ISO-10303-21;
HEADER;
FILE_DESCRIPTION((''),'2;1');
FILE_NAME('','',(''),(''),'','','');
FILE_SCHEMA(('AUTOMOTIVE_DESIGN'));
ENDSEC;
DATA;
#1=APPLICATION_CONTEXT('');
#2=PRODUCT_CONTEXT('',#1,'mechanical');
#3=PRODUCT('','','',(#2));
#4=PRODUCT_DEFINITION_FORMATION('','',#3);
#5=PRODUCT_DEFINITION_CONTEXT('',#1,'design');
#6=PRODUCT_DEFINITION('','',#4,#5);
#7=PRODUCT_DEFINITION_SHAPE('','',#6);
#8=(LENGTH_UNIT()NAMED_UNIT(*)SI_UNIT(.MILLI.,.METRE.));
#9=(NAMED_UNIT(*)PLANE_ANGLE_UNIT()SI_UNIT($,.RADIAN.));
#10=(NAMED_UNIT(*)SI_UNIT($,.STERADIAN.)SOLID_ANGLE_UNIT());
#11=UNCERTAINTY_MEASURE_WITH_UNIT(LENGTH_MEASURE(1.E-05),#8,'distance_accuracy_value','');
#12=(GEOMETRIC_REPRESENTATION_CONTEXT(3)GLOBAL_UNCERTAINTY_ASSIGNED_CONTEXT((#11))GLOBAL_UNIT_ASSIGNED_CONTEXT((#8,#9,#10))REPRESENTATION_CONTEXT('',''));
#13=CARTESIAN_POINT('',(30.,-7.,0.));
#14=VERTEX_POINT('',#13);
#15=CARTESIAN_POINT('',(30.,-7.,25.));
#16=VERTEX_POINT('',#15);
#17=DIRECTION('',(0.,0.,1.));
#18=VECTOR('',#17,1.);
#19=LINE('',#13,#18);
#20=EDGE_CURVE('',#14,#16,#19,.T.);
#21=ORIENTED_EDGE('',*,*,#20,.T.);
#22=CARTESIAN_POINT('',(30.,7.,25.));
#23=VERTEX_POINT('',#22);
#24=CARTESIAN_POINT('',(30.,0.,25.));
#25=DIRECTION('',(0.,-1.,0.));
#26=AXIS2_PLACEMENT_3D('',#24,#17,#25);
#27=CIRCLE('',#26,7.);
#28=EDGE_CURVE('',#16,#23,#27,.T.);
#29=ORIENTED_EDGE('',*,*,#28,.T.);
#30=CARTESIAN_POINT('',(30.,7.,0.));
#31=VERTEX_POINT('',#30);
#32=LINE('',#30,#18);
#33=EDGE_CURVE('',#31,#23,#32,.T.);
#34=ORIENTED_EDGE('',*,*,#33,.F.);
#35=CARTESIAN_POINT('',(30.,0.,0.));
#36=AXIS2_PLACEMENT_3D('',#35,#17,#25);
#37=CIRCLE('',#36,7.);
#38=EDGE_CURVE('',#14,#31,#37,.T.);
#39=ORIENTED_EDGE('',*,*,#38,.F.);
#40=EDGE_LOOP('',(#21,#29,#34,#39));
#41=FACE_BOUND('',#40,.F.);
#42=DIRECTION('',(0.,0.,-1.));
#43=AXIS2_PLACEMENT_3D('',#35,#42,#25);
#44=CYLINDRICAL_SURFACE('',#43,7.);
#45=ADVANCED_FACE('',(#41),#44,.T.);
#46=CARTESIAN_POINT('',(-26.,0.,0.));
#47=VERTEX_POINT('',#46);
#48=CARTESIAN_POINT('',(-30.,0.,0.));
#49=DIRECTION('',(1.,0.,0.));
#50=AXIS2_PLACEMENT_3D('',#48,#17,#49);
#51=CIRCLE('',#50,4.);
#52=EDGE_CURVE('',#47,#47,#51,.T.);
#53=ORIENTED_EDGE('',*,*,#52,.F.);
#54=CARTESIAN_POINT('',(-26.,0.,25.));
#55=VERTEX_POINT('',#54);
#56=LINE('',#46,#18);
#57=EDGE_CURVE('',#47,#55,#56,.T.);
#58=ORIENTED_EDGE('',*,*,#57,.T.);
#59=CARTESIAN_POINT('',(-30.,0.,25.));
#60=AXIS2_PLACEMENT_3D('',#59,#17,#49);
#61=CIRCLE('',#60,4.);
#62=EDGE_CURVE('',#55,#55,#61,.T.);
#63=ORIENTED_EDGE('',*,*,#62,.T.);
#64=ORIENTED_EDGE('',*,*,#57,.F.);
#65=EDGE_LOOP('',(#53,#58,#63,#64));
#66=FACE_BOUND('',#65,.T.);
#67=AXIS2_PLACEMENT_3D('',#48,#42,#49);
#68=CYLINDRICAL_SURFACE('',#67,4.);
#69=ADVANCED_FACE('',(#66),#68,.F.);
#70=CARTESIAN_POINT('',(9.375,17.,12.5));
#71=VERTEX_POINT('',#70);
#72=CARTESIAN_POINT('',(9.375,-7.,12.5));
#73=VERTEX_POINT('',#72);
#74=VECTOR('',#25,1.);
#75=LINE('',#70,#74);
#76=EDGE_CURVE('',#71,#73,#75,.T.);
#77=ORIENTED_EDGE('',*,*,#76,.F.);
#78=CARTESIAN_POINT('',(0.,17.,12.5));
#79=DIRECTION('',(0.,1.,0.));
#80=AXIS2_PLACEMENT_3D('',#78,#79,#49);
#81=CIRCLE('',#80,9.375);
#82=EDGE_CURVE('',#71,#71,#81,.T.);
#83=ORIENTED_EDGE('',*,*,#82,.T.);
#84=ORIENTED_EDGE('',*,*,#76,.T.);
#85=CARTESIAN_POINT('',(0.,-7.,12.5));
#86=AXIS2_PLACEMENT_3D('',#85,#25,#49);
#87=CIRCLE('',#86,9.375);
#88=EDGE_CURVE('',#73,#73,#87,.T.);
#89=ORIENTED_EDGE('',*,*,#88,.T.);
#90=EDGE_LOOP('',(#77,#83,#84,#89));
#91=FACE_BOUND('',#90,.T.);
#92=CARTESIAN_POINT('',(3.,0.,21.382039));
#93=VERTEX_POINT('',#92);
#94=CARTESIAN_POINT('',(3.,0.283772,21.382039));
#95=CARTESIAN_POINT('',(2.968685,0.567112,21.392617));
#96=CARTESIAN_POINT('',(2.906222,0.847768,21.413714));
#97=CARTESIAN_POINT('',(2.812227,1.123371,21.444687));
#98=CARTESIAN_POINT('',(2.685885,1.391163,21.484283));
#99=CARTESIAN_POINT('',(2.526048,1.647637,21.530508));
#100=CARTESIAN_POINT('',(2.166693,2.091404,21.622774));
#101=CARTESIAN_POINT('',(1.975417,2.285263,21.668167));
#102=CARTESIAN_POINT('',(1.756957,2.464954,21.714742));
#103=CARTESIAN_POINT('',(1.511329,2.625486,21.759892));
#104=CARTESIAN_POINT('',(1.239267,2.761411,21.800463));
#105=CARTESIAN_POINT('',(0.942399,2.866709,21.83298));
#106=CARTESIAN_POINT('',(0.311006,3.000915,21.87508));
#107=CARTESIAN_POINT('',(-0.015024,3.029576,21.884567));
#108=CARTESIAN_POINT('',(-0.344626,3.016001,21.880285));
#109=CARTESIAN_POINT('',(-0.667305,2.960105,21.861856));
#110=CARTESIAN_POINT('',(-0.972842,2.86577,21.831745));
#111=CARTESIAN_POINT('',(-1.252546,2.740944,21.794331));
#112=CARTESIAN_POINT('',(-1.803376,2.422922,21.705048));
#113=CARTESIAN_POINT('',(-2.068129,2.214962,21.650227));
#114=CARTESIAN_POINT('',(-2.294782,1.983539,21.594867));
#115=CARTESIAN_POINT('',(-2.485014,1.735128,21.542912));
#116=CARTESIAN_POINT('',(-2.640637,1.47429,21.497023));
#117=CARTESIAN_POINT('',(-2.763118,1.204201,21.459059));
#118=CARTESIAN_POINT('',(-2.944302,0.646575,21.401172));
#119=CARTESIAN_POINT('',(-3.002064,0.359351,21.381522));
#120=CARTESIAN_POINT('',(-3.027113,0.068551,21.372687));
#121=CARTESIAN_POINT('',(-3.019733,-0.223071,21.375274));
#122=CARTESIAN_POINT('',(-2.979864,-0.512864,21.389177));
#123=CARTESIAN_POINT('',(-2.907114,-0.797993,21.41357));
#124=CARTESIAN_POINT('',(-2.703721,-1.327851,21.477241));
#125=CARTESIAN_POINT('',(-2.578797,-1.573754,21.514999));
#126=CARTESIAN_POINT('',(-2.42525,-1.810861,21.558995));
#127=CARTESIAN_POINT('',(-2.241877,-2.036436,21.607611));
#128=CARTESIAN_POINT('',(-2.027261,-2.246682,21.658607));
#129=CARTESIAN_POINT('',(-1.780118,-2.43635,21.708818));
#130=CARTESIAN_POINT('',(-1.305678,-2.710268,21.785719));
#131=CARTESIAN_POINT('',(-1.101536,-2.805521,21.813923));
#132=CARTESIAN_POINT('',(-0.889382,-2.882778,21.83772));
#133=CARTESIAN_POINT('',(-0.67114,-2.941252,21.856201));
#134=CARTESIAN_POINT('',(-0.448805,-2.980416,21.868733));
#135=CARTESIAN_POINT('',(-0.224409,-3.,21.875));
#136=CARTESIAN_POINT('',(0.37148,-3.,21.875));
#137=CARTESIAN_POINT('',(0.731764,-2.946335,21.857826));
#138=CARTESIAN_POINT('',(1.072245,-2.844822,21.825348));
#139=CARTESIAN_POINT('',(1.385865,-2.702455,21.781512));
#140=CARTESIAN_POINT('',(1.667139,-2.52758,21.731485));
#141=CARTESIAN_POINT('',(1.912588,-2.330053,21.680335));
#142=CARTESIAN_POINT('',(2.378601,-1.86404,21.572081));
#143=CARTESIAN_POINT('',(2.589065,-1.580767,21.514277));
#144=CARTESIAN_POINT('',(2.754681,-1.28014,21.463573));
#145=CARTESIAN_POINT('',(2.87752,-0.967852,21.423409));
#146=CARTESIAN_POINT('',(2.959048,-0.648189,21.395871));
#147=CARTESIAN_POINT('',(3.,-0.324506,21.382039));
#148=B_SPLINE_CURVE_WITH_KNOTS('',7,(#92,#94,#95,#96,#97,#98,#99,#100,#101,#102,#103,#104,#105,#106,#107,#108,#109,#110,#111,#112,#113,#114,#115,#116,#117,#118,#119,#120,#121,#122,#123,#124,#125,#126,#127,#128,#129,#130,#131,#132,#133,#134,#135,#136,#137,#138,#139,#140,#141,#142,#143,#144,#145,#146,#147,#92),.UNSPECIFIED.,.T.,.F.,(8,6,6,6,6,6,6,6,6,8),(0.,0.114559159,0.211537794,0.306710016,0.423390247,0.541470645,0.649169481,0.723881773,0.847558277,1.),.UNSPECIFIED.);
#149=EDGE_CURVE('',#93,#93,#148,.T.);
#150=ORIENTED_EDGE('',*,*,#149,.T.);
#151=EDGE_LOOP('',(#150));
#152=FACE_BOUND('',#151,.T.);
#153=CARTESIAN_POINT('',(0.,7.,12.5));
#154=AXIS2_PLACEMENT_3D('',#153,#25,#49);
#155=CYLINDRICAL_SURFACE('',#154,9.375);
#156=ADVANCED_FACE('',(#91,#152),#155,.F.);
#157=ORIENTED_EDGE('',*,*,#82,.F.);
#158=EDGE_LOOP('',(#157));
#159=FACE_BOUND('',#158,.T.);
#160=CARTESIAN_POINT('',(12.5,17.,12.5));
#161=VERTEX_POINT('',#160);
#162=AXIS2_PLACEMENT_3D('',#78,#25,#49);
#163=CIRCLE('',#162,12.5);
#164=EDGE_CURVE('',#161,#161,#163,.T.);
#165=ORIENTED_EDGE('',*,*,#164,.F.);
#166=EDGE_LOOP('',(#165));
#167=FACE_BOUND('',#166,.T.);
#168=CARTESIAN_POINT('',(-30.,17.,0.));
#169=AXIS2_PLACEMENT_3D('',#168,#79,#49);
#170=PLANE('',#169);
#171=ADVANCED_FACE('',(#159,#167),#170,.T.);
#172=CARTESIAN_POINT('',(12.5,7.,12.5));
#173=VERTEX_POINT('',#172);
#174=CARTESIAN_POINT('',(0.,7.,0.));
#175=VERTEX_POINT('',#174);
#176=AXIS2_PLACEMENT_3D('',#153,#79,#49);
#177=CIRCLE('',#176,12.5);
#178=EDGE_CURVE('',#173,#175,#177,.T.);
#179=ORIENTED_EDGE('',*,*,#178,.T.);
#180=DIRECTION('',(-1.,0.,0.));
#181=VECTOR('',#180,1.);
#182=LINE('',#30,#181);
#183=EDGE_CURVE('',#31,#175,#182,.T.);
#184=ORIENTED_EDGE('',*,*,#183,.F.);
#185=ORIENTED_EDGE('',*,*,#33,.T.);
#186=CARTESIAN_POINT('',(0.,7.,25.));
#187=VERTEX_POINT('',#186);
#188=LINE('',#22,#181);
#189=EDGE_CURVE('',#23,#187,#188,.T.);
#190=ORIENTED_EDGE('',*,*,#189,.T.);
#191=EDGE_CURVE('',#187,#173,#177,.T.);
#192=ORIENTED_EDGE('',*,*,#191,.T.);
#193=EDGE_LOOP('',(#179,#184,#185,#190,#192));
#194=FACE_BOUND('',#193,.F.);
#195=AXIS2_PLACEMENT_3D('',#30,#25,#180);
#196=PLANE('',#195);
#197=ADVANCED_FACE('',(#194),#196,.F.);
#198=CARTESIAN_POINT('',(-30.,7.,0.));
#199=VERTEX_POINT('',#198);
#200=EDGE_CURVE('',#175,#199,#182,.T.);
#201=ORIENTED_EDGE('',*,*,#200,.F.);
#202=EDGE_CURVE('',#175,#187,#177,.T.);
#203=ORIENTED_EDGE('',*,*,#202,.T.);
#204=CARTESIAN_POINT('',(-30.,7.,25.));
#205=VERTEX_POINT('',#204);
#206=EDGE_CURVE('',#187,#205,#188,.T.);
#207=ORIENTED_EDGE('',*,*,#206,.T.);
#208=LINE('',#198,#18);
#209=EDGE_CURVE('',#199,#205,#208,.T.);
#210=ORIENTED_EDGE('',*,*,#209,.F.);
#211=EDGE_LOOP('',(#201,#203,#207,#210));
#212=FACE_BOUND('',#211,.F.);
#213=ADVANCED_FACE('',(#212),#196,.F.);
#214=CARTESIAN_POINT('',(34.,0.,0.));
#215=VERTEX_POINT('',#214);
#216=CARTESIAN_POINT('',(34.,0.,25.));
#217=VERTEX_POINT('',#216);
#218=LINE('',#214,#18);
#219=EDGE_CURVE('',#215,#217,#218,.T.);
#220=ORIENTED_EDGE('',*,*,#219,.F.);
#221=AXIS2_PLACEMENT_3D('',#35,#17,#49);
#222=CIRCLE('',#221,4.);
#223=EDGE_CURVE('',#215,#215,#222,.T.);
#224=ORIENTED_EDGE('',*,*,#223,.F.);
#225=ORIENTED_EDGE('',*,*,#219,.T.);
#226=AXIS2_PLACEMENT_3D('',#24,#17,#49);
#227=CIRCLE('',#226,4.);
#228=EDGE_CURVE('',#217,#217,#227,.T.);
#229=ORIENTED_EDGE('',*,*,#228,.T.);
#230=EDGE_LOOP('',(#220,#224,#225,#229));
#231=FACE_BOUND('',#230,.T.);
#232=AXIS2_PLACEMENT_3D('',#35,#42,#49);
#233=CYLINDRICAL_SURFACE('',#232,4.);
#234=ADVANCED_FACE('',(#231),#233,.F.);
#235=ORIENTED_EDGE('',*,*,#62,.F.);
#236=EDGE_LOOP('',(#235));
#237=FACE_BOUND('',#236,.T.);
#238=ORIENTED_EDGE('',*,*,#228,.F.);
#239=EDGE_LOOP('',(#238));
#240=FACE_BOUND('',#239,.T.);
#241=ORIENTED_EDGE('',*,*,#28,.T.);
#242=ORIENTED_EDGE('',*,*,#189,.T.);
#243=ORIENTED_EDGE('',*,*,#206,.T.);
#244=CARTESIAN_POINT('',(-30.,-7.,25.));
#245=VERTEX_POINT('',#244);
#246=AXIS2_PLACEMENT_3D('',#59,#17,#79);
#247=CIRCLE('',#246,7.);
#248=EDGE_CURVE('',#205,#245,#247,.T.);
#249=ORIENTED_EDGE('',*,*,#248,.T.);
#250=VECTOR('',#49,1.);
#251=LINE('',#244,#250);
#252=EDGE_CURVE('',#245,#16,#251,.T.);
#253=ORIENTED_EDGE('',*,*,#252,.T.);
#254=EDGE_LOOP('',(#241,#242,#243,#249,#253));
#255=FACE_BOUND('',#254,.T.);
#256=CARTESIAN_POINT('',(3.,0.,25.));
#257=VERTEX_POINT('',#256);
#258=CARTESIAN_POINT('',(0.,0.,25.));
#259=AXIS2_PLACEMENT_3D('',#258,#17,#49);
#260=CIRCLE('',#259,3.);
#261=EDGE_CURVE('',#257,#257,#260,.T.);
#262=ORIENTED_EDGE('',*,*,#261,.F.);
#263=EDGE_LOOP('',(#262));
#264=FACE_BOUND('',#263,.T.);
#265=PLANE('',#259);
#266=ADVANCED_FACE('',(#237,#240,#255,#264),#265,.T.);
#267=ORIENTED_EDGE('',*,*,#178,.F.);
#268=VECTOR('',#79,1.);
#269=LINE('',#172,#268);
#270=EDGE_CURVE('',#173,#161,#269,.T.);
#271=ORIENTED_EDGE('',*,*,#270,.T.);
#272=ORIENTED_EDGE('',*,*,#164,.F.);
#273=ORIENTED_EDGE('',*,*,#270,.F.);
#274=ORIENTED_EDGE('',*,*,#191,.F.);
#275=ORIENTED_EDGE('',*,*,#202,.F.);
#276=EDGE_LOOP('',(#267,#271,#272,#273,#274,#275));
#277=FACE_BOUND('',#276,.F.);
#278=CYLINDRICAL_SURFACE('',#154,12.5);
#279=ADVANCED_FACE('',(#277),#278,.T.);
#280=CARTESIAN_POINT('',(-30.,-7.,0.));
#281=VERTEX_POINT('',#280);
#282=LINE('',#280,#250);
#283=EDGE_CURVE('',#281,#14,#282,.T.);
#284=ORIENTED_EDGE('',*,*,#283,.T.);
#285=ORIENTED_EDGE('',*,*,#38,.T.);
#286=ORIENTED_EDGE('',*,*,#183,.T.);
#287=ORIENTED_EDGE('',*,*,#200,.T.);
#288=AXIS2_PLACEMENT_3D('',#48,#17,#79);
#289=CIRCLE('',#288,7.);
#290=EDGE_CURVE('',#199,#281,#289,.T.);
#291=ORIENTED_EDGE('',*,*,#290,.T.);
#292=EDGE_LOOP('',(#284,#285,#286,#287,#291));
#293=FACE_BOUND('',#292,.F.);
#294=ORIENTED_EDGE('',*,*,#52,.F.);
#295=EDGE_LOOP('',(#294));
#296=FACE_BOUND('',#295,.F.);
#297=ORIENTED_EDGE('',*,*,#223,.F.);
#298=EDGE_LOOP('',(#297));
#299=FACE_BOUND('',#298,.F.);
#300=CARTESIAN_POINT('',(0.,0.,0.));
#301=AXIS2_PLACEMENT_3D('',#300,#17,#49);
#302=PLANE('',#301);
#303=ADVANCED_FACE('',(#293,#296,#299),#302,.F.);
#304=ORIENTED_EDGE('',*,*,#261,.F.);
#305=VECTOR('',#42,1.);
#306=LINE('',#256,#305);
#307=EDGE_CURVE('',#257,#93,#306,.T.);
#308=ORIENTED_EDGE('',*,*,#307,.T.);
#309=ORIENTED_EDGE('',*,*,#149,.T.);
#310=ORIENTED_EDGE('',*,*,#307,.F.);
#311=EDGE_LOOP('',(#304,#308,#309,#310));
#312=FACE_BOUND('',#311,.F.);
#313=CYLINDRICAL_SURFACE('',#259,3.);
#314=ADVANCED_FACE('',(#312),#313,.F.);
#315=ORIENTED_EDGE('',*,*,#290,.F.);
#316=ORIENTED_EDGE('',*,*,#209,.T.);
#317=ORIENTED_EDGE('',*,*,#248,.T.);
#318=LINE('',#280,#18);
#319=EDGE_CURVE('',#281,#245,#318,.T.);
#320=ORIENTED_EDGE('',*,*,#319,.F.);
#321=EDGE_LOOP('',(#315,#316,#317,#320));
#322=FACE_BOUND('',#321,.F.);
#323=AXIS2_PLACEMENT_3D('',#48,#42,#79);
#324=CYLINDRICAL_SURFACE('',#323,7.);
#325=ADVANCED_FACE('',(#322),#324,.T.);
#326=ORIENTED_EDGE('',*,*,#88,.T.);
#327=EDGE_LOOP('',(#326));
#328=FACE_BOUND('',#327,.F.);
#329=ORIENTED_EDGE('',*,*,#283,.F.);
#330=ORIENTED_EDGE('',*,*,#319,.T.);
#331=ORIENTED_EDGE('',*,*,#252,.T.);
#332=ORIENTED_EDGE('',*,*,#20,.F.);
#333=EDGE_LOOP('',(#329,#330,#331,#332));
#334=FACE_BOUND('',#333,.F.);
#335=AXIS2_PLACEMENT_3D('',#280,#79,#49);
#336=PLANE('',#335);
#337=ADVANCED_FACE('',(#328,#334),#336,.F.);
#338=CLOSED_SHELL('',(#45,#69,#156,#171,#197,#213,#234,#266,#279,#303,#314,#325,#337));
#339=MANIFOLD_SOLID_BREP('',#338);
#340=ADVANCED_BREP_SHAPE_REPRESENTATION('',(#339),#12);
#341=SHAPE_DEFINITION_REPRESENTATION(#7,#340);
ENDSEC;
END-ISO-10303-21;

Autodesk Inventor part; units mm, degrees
ref_plane "YZ Plane" through (0, 0, 0) normal (1, 0, 0) x (0, 1, 0)
ref_plane "XZ Plane" through (0, 0, 0) normal (0, 1, 0) x (-1, 0, 0)
ref_plane "XY Plane" through (0, 0, 0) normal (0, 0, 1) x (1, 0, 0)
sketch "Sketch1" plane through (0, 0, 0) normal (0, 0, 1) x (1, 0, 0)
  line L0 (-30, 0) -> (30, 0) construction
  circle A0 centre (-30, 0) radius 4
  circle A1 centre (30, 0) radius 4
  line L1 (-30, 0) -> (30, 0) construction
  line L2 (-30, -7) -> (30, -7)
  line L3 (30, 7) -> (-30, 7)
  arc A2 (-30, 7) -> (-30, -7) centre (-30, 0) ccw
  arc A3 (30, -7) -> (30, 7) centre (30, 0) ccw
  point P0 (0, 0)
  point P1 (0, 0)
  point P2 (0, 0)
  dimension "d0" = 60
  dimension "d1" = 8
  dimension "d2" = 7
extrude "Extrusion1" add sketch "Sketch1" along normal blind 25
sketch "Sketch2" plane through (-30, -7, 0) normal (0, -1, 0) x (1, 0, 0)
  line L0 (0, 0) -> (60, 0) construction
  line L1 (60, 0) -> (60, 25) construction
  line L2 (0, 25) -> (60, 25) construction
  line L3 (0, 0) -> (0, 25) construction
  line L4 (30, 25) -> (30, 0) construction
  circle A0 centre (30, 12.5) radius 9.375
  dimension "d5" = 18.75
extrude "Extrusion2" cut sketch "Sketch2" against normal through all
sketch "Sketch3" plane through (-30, 7, 0) normal (0, 1, 0) x (1, 0, 0)
  circle A0 centre (30, -12.5) radius 9.375 projected
  circle A1 centre (30, -12.5) radius 12.5
  line L0 (60, -25) -> (0, -25) projected
  point P0 (30, 0)
extrude "Extrusion3" add sketch "Sketch3" along normal blind 10
sketch "Sketch4" plane through (0, 0, 25) normal (0, 0, 1) x (1, 0, 0)
  circle A0 centre (0, 0) radius 3
  dimension "d10" = 6
extrude "Extrusion4" cut sketch "Sketch4" against normal up to next
properties part number "reed switch holder"
